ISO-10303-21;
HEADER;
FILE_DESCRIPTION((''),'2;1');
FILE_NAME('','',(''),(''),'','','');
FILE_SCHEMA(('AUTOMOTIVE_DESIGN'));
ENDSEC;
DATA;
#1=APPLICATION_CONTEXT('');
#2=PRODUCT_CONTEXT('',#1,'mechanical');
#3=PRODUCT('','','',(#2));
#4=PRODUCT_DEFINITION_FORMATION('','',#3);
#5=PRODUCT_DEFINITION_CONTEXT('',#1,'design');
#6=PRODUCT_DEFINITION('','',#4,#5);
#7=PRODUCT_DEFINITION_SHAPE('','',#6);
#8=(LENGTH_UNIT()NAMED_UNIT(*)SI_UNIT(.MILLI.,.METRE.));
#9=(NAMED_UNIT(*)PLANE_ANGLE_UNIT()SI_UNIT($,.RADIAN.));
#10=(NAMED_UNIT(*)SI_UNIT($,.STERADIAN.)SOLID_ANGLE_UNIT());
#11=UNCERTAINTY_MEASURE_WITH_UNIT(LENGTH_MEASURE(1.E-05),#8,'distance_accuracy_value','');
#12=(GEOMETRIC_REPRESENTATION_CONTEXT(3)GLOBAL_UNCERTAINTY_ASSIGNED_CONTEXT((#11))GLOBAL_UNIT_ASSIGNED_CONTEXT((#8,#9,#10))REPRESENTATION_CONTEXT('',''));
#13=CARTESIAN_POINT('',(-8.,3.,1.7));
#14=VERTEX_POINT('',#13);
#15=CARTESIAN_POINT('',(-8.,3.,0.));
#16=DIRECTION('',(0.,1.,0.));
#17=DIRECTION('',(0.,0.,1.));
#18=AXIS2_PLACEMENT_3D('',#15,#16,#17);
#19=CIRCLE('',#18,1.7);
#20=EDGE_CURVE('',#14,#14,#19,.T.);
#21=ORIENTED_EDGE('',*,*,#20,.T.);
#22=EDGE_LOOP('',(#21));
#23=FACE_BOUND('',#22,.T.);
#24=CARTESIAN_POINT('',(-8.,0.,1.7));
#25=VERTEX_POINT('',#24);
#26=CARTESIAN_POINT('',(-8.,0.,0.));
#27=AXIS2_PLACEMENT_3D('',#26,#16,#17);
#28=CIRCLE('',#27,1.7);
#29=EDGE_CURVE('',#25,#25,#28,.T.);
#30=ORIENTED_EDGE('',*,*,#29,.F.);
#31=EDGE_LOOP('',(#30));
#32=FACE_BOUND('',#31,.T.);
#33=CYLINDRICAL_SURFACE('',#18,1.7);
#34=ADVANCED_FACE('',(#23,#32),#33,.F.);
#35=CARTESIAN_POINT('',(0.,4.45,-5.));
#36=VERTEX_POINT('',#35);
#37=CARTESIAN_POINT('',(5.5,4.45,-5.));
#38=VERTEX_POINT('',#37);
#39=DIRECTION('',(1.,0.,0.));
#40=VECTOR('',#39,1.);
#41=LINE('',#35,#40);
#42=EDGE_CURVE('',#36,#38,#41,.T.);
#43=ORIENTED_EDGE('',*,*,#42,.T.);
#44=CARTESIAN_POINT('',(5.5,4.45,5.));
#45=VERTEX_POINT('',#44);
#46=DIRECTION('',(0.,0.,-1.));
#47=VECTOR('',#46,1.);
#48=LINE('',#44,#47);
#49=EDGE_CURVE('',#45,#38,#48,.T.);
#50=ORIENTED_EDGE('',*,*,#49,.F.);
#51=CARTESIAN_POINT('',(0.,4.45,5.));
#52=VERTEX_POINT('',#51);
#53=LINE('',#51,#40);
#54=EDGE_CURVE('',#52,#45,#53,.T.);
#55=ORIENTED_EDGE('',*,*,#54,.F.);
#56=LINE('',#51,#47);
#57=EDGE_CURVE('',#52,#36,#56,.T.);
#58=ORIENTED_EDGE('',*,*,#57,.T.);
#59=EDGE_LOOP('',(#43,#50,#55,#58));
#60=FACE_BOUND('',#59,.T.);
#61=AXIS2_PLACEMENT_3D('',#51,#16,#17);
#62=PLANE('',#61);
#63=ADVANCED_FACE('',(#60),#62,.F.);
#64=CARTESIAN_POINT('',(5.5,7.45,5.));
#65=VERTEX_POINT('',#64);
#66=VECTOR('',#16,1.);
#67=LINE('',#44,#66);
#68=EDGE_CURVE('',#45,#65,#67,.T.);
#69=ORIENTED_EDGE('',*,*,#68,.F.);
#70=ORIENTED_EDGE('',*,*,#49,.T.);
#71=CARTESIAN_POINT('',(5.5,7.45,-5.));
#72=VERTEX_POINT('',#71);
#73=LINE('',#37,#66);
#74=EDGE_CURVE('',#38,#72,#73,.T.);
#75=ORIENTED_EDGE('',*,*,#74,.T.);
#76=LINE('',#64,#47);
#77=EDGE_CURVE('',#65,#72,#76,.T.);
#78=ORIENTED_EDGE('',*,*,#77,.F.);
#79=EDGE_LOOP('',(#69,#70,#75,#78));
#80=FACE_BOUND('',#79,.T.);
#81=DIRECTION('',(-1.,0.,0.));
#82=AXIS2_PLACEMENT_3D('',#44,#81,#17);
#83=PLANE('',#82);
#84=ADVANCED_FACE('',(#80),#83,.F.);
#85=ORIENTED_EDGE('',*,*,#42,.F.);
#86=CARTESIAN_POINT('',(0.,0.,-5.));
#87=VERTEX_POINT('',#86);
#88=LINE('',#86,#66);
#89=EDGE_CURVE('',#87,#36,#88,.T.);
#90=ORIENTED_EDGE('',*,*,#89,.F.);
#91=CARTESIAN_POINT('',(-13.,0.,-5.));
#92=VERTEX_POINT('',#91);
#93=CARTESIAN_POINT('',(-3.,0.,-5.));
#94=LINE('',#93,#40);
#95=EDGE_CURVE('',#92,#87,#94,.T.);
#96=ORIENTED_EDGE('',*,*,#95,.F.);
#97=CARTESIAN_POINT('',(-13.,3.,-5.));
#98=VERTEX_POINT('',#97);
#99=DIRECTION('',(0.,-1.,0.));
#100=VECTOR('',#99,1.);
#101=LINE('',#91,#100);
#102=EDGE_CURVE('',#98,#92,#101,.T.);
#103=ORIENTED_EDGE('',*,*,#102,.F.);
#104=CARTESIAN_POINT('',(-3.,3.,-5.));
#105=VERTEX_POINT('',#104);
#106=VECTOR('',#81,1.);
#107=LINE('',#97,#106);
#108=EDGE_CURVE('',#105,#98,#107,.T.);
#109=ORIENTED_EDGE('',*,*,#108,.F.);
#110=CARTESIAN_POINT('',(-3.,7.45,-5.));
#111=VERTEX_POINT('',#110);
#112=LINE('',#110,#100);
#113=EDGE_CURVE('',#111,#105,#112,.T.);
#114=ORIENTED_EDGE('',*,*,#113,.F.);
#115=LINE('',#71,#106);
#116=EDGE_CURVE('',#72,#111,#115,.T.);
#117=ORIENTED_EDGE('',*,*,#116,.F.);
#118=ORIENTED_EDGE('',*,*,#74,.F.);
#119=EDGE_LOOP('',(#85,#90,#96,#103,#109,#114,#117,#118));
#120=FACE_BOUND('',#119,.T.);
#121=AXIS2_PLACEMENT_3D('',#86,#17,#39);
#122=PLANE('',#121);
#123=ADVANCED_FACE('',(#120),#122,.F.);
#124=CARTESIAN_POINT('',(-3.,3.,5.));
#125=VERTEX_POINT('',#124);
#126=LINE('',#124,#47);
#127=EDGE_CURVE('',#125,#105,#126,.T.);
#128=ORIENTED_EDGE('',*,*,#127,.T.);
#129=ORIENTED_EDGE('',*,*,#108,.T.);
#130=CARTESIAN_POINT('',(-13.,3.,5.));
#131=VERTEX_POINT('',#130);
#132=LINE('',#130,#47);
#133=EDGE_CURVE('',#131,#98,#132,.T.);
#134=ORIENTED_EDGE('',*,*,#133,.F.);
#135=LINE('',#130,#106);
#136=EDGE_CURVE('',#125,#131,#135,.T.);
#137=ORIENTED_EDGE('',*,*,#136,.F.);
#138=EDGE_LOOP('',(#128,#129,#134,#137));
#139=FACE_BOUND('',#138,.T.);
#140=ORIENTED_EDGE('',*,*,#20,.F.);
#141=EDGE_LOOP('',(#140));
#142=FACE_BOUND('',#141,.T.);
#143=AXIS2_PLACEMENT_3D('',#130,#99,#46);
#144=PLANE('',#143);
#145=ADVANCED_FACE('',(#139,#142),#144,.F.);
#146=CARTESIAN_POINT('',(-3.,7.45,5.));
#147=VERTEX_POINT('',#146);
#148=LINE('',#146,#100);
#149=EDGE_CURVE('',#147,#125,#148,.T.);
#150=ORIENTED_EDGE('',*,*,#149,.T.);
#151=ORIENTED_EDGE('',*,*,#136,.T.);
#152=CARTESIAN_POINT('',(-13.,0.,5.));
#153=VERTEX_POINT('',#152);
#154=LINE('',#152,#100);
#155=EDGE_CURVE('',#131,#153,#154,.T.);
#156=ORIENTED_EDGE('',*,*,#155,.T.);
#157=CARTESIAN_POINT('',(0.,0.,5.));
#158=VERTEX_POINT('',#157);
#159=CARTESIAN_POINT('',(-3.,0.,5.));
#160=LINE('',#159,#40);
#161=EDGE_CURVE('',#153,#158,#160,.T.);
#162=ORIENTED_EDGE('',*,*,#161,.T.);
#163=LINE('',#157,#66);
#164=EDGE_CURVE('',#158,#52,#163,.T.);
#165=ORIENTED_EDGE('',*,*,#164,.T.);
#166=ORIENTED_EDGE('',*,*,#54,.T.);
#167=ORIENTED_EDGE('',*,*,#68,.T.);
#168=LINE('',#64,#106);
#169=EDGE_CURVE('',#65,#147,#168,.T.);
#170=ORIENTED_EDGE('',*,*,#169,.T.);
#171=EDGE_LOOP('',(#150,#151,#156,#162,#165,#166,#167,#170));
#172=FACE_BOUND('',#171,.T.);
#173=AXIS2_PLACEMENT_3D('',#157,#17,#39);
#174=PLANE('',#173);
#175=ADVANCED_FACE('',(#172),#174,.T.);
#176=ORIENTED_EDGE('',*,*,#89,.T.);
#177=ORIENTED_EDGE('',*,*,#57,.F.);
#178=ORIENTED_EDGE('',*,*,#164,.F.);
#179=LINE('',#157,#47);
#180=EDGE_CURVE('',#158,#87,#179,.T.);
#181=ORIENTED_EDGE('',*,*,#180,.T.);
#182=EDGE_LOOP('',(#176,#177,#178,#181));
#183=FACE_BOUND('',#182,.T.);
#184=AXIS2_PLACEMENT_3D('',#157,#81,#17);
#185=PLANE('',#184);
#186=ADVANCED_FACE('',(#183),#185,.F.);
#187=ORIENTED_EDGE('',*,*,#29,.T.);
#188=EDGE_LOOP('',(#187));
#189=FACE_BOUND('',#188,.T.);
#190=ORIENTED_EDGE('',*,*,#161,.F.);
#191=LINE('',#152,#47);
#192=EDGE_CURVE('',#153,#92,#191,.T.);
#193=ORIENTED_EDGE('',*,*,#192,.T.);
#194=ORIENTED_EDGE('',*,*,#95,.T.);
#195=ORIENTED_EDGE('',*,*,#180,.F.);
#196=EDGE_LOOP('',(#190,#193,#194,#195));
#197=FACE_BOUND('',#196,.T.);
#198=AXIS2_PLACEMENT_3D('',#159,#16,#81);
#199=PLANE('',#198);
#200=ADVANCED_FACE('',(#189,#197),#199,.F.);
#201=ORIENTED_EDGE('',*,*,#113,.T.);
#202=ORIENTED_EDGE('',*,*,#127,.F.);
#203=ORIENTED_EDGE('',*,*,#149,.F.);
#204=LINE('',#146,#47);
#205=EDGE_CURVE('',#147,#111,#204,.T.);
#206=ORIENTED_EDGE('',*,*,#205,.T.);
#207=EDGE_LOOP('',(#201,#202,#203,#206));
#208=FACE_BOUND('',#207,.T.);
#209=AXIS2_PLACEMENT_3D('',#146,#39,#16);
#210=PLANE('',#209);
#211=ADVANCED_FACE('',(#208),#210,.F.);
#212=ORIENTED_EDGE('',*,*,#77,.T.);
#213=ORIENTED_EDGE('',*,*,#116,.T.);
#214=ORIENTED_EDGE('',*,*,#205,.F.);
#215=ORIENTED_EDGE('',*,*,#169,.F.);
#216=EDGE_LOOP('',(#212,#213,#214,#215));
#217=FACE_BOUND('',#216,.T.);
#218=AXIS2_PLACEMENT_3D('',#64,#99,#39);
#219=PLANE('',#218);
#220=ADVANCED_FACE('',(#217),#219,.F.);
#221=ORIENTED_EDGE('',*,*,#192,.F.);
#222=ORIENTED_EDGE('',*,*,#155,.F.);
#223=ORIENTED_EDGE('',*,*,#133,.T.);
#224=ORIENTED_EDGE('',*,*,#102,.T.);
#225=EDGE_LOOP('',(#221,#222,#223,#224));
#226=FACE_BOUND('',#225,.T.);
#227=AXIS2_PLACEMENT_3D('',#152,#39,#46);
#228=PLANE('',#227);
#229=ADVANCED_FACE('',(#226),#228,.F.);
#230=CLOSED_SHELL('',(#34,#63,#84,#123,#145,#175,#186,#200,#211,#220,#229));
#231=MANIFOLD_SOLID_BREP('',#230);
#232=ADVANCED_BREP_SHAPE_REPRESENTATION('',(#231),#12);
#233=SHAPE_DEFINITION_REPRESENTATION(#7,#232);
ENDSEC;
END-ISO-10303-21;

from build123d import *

# Parameters (mm, degrees)
BOSS_EXTRUDE1_DEPTH  = 5
M3_CLEARANCE_HOLE1_D = 3.4


with BuildPart() as part:
    # Sketch1 → Boss-Extrude1 (new, symmetric)
    with BuildSketch(Plane.XY):
        Polygon((0, 0), (0, 4.45), (5.5, 4.45), (5.5, 7.45), (-3, 7.45), (-3, 3), (-13, 3), (-13, 0), (-3, 0), align=None)
    extrude(amount=BOSS_EXTRUDE1_DEPTH, both=True)

    # M3 Clearance Hole1 (through all)
    with Locations(Plane(origin=(0, 3, 0), x_dir=(1, 0, 0), z_dir=(0, 1, 0))):
        with Locations((-8, 0)):
            Hole(M3_CLEARANCE_HOLE1_D / 2)


solid = part.part
